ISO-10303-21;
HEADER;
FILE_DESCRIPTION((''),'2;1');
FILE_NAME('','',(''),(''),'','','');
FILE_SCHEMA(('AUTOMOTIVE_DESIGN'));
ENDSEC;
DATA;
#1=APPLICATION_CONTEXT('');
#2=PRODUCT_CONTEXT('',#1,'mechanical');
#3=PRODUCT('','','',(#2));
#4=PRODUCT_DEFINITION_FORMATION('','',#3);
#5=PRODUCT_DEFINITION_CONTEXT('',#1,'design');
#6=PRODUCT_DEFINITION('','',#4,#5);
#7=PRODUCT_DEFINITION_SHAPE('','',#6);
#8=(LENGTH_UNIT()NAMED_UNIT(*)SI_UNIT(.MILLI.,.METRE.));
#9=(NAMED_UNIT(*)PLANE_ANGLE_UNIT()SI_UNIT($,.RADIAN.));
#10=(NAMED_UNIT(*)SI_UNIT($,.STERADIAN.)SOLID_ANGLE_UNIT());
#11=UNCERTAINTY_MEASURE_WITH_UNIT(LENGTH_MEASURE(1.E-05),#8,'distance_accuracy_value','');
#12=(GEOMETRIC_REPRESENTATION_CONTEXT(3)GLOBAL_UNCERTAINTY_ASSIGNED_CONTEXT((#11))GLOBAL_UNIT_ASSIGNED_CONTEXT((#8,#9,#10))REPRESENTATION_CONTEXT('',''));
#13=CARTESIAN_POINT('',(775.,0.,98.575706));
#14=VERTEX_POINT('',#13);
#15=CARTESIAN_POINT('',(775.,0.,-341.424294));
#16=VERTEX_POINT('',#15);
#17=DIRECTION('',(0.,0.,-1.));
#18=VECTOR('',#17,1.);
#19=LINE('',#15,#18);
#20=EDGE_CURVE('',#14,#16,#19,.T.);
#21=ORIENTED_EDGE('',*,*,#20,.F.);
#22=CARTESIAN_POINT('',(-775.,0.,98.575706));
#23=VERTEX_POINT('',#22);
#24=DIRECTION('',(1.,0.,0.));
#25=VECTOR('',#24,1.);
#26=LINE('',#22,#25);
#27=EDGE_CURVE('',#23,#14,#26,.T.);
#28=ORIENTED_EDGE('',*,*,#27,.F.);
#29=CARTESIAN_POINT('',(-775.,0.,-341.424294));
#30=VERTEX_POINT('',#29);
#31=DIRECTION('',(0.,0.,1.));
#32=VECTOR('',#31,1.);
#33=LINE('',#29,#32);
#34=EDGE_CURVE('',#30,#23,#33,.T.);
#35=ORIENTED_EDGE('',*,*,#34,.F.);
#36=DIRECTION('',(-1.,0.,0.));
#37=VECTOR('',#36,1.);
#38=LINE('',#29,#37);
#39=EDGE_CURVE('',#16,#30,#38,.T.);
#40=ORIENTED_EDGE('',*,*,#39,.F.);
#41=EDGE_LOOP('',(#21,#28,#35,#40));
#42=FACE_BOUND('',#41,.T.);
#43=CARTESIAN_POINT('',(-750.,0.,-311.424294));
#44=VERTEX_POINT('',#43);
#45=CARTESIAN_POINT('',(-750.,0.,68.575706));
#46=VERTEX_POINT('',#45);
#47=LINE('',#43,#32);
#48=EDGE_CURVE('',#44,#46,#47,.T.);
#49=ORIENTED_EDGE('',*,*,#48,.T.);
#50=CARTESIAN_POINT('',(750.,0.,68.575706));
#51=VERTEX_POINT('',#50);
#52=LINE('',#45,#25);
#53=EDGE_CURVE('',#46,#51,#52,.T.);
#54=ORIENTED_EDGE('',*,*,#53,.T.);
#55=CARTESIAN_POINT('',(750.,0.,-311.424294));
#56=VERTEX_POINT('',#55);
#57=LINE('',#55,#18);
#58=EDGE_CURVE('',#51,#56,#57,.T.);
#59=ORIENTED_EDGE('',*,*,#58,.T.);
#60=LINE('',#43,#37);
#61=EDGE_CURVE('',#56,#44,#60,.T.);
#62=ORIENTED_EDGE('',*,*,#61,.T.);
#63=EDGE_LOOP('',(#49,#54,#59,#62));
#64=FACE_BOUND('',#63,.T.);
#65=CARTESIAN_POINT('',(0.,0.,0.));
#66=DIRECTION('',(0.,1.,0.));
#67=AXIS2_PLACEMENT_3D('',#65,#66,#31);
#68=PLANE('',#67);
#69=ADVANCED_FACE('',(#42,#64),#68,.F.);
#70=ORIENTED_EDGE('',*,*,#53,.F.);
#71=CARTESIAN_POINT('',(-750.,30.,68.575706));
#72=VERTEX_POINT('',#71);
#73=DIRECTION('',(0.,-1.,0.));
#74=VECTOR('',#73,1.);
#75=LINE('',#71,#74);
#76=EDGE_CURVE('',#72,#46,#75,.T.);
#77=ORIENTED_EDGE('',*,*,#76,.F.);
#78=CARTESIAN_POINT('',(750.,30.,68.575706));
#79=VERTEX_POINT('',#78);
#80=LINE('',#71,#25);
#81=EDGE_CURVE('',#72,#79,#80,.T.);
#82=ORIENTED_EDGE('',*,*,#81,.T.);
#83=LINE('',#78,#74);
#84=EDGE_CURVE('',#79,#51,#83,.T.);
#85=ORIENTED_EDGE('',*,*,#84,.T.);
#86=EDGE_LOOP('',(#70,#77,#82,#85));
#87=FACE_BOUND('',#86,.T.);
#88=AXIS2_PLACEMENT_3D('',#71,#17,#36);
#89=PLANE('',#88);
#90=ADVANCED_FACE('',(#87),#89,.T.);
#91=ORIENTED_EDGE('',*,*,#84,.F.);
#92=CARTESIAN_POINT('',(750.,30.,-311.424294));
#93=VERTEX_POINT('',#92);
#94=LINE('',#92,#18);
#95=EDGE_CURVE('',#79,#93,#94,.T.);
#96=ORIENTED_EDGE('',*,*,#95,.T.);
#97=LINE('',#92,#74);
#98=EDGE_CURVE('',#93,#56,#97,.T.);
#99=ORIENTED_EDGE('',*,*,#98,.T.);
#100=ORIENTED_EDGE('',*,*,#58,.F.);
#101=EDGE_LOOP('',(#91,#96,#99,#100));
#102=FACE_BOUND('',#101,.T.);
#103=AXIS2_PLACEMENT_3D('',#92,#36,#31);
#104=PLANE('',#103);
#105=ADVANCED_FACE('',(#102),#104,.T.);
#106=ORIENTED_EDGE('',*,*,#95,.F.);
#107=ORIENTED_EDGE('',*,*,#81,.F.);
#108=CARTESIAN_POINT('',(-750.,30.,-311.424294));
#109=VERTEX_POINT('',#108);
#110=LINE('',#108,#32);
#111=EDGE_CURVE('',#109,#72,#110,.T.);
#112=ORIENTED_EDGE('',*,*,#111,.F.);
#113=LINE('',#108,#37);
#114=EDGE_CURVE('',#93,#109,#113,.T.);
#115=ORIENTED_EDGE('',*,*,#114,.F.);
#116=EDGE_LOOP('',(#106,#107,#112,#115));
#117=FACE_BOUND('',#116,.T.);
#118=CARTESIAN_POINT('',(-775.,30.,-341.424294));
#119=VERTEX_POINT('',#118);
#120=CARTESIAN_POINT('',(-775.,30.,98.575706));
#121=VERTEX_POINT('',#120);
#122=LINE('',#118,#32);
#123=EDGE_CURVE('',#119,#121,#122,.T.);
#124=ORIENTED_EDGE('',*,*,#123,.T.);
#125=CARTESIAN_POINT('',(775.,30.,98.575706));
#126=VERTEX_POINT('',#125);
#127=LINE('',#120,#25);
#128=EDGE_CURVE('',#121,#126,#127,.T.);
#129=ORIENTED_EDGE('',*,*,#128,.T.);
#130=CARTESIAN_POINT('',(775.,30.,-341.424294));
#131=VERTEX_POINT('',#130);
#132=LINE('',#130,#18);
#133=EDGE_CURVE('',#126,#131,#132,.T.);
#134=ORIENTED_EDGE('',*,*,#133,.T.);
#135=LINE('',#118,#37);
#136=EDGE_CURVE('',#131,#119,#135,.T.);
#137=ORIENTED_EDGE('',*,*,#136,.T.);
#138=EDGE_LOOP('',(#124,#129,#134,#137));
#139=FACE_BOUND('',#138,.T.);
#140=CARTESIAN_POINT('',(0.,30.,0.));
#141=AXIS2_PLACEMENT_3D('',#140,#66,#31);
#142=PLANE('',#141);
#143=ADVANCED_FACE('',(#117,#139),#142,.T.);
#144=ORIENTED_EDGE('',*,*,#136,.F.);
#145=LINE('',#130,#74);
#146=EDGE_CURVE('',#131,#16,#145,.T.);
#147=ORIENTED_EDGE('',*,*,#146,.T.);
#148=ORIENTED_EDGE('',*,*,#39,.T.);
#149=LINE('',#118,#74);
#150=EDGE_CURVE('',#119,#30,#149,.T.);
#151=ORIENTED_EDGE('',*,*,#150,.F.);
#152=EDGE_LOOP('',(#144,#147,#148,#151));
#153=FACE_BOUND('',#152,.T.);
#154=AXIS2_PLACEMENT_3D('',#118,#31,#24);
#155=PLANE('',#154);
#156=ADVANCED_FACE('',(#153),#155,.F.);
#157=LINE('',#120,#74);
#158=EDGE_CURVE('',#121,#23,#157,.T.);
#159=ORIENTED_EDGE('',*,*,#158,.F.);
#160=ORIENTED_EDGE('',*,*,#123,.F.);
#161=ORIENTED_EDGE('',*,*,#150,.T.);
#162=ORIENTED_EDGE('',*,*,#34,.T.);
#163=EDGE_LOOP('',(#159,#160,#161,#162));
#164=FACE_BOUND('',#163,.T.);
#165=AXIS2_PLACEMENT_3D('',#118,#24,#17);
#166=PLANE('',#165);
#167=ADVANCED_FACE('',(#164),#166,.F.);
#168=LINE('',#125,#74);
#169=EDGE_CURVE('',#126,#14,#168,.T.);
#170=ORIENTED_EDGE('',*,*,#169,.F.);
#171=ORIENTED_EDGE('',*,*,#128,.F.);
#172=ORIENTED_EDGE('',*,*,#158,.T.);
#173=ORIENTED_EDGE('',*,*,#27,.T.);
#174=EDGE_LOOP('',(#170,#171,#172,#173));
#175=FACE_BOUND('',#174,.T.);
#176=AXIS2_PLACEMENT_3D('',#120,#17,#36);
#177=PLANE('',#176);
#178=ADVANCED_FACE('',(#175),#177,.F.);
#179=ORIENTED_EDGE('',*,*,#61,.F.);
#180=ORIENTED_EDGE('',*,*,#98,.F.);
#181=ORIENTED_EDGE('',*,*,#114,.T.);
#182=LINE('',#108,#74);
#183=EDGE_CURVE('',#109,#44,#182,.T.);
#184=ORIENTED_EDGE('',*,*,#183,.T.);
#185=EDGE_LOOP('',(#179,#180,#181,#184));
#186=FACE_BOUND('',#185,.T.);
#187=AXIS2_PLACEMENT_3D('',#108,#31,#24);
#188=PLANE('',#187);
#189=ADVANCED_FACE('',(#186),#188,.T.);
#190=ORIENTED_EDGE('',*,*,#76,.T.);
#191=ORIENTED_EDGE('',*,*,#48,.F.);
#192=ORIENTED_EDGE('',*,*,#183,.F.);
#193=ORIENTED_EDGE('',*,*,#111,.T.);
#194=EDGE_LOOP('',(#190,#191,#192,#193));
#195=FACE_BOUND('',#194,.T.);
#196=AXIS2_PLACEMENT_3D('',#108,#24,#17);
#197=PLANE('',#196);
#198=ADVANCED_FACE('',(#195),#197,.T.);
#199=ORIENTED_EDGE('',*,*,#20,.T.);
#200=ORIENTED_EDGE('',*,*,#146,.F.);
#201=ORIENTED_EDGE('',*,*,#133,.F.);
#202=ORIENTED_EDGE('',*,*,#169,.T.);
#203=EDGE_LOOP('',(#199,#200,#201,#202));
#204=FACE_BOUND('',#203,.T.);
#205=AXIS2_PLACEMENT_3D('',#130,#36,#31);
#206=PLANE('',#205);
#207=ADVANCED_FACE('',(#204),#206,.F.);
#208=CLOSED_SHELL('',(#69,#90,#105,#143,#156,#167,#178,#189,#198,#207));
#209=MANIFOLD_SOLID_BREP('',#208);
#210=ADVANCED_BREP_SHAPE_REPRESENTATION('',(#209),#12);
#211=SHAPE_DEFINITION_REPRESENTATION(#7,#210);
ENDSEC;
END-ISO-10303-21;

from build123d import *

# Parameters (mm, degrees)
SKETCH1_W           = 1550
SKETCH1_H           = 440
SKETCH1_W_2         = 1500
SKETCH1_H_2         = 380
BOSS_EXTRUDE1_DEPTH = 30


with BuildPart() as part:
    # Sketch1 → Boss-Extrude1 (new body)
    with BuildSketch(Plane(origin=(0, 0, 0), x_dir=(1, 0, 0), z_dir=(0, 1, 0))):
        with Locations((0, 121.424294269)):
            Rectangle(SKETCH1_W, SKETCH1_H)
        with Locations((0, 121.424294269)):
            Rectangle(SKETCH1_W_2, SKETCH1_H_2, mode=Mode.SUBTRACT)
    extrude(amount=BOSS_EXTRUDE1_DEPTH)


solid = part.part
